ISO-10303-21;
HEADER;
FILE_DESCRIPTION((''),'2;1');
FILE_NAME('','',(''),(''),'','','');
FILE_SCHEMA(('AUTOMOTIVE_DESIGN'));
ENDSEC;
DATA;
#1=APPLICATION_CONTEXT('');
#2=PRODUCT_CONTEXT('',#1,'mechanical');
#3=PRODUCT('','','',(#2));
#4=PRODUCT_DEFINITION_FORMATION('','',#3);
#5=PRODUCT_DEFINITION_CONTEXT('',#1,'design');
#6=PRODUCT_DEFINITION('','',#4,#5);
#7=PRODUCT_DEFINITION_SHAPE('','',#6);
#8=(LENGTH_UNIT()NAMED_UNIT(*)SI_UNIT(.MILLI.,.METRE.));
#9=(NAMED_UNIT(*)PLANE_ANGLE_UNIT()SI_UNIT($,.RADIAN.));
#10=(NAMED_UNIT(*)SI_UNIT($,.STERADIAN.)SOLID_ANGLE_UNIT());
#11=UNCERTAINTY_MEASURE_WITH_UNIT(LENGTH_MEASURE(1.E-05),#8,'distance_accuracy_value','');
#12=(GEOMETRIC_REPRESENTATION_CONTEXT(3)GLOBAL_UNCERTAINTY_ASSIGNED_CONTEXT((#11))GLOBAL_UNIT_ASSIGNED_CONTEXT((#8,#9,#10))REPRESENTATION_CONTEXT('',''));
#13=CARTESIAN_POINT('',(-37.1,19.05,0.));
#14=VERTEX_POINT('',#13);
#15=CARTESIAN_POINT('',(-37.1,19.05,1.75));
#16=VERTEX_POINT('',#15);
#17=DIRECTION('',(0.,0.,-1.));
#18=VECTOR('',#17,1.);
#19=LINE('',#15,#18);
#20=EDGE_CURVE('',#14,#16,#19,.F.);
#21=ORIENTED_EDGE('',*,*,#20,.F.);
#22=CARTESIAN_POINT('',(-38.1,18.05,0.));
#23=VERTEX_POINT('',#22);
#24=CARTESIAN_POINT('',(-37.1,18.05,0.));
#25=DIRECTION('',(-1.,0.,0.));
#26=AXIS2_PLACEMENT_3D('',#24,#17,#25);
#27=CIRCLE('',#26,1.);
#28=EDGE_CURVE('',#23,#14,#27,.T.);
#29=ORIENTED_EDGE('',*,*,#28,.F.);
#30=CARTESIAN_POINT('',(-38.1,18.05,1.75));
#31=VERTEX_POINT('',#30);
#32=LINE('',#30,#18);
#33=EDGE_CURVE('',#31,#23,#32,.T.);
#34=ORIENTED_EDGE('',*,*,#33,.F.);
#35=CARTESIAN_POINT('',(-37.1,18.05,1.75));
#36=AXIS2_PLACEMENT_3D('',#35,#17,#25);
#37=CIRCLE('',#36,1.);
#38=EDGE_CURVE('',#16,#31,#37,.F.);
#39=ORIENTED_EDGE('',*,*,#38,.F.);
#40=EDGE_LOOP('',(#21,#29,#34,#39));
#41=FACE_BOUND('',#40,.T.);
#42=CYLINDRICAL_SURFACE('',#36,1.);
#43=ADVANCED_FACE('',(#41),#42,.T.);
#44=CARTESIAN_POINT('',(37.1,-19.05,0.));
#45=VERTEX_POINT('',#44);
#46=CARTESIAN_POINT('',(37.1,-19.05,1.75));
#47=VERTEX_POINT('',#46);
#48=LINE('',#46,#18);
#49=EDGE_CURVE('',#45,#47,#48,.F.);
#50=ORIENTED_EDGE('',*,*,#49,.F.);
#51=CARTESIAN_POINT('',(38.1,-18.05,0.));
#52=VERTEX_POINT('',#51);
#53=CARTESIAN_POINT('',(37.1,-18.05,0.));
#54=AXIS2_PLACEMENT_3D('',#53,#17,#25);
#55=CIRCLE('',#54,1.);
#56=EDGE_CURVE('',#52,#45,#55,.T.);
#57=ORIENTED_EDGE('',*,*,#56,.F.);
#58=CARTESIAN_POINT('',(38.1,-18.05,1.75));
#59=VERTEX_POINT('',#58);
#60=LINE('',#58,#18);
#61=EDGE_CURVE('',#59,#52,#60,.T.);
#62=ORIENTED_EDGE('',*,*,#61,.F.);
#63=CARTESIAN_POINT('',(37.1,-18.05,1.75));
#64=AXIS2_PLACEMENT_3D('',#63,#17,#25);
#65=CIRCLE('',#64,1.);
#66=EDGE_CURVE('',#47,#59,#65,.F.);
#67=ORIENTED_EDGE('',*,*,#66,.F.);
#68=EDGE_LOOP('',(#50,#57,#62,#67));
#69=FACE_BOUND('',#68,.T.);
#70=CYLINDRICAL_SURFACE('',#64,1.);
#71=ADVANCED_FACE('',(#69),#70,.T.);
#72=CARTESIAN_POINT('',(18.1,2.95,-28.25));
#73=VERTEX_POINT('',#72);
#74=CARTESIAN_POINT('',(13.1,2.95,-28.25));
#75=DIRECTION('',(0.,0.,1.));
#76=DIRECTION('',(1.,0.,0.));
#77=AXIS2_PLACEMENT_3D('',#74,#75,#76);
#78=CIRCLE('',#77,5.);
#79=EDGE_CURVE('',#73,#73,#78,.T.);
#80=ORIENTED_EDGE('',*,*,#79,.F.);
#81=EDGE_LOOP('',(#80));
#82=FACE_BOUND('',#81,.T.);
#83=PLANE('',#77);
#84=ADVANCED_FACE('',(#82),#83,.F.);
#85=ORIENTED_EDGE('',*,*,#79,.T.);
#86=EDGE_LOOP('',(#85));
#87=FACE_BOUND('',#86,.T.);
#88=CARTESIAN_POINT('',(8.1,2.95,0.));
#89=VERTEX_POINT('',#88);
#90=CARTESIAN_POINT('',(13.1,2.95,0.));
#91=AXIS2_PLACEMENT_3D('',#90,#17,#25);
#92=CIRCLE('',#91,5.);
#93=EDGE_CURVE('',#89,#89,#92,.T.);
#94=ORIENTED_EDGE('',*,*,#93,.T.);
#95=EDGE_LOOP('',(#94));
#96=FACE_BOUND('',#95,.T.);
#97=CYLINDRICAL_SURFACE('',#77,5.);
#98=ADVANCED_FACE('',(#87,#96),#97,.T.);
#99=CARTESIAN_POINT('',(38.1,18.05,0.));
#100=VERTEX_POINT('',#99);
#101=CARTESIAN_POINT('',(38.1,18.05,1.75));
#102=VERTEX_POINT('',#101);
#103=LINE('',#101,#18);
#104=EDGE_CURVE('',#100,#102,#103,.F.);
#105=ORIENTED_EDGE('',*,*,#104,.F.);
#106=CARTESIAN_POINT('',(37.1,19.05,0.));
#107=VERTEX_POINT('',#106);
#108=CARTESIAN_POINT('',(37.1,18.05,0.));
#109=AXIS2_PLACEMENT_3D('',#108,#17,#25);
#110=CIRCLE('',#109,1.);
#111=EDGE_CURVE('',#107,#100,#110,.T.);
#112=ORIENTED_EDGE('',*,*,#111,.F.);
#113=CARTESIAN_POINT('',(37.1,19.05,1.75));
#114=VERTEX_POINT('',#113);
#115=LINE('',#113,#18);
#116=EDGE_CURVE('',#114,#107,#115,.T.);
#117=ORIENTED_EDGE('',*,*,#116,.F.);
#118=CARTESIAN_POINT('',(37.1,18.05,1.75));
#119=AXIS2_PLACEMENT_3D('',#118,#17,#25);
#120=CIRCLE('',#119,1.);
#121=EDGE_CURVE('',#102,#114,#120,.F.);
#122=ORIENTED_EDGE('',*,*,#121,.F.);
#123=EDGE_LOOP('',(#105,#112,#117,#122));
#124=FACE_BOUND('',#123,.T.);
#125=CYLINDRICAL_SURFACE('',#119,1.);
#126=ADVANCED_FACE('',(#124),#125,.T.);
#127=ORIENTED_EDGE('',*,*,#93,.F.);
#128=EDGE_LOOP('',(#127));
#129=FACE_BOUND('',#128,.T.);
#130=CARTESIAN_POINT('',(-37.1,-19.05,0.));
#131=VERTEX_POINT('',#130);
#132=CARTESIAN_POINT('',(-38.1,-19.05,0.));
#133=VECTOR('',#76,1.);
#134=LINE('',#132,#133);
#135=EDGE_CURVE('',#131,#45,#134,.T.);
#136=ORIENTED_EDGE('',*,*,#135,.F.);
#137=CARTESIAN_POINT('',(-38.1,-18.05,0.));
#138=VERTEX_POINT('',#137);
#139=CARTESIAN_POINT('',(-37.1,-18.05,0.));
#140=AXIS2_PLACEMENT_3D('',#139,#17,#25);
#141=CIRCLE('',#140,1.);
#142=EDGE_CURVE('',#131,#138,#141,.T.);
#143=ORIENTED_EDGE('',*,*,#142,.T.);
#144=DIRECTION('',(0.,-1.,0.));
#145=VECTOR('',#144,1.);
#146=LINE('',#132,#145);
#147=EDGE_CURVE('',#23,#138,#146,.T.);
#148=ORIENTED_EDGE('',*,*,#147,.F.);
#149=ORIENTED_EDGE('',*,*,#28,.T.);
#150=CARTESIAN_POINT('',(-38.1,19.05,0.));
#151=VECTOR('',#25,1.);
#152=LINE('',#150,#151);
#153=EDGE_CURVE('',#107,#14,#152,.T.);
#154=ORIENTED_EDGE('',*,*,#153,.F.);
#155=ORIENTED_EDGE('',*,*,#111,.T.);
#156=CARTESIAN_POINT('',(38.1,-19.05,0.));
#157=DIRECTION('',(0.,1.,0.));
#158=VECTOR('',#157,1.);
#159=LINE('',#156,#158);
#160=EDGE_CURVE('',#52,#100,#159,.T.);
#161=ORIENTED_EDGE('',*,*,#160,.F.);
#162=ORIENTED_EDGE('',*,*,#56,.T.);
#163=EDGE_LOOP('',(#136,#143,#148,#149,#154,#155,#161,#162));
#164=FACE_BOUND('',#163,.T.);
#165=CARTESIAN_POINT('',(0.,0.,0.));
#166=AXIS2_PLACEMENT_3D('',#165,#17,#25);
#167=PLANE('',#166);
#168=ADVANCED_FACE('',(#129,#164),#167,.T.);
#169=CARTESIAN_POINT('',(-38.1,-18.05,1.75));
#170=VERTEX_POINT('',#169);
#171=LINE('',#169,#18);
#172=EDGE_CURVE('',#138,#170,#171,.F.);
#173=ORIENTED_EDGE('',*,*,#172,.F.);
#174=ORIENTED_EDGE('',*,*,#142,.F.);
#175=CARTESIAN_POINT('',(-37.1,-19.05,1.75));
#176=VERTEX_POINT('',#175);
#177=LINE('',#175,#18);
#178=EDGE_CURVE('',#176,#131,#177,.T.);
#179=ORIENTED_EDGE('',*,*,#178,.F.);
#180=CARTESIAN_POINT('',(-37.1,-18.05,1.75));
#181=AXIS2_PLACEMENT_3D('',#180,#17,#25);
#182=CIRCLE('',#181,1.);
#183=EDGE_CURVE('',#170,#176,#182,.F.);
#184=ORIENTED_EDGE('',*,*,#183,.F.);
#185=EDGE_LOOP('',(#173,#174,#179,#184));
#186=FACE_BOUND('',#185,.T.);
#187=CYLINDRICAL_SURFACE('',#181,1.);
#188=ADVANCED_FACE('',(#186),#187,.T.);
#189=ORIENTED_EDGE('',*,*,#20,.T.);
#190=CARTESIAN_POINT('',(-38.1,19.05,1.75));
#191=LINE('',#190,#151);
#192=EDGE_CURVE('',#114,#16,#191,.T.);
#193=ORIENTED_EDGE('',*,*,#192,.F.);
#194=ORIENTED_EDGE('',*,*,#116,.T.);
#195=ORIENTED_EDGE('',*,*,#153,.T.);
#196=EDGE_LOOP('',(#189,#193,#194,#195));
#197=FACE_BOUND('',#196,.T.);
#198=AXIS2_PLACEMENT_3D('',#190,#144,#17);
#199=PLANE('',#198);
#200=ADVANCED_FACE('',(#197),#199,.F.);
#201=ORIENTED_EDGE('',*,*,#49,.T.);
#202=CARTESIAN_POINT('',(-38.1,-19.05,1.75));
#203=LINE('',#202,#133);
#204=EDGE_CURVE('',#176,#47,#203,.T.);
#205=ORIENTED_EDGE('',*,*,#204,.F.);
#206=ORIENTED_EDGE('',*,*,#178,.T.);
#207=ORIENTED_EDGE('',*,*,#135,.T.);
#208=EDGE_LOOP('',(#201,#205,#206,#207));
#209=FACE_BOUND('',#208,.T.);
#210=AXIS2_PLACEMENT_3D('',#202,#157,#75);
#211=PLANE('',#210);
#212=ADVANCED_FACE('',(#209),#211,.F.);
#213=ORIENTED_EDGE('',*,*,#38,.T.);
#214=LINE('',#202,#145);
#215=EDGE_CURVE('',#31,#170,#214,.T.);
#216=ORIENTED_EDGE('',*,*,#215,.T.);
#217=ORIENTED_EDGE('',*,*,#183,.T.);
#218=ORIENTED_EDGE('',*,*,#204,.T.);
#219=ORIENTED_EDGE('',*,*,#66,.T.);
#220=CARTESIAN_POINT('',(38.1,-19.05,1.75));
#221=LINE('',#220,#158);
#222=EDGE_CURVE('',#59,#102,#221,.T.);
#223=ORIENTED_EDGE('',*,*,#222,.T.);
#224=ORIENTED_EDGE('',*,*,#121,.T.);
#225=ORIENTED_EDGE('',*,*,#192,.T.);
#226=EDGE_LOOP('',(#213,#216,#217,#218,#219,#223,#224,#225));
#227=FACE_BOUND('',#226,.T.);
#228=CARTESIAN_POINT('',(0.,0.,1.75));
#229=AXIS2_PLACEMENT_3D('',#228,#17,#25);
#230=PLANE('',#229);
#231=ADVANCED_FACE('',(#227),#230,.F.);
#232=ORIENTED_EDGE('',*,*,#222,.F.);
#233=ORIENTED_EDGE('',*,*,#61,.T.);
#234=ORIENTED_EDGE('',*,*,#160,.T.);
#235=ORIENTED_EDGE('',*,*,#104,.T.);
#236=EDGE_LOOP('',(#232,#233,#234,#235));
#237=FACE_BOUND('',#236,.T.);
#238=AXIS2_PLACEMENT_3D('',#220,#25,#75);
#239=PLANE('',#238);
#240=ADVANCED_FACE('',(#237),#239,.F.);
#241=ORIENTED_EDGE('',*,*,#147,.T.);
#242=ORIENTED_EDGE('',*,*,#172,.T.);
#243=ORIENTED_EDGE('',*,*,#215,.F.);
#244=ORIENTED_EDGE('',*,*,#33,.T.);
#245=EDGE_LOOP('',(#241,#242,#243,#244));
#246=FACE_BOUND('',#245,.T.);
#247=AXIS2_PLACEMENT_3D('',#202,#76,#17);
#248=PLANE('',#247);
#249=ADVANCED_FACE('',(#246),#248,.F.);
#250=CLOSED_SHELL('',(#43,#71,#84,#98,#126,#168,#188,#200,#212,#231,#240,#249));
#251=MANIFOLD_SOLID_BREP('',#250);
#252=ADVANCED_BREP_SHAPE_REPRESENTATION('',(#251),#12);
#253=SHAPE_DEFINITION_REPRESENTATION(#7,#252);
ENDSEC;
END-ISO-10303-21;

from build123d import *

# Parameters (mm, degrees)
SKETCH1_W           = 76.2
SKETCH1_H           = 38.1
BOSS_EXTRUDE1_DEPTH = 1.75
FILLET1_R           = 1
SKETCH2_R           = 5
BOSS_EXTRUDE2_DEPTH = 30


with BuildPart() as part:
    # Sketch1 → Boss-Extrude1 (new body)
    with BuildSketch(Plane.XY):
        Rectangle(SKETCH1_W, SKETCH1_H)
    extrude(amount=BOSS_EXTRUDE1_DEPTH)

    # Fillet1
    fillet1_edges = [part.edges().sort_by_distance(p)[0] for p in [
        (38.1, -19.05, 0.875),
        (-38.1, -19.05, 0.875),
        (-38.1, 19.05, 0.875),
        (38.1, 19.05, 0.875),
    ]]
    fillet(fillet1_edges, radius=FILLET1_R)

    # Sketch2 → Boss-Extrude2 (add)
    with BuildSketch(Plane.XY.offset(1.75)):
        with Locations((13.1, 2.95)):
            Circle(SKETCH2_R)
    extrude(amount=-BOSS_EXTRUDE2_DEPTH)


solid = part.part
